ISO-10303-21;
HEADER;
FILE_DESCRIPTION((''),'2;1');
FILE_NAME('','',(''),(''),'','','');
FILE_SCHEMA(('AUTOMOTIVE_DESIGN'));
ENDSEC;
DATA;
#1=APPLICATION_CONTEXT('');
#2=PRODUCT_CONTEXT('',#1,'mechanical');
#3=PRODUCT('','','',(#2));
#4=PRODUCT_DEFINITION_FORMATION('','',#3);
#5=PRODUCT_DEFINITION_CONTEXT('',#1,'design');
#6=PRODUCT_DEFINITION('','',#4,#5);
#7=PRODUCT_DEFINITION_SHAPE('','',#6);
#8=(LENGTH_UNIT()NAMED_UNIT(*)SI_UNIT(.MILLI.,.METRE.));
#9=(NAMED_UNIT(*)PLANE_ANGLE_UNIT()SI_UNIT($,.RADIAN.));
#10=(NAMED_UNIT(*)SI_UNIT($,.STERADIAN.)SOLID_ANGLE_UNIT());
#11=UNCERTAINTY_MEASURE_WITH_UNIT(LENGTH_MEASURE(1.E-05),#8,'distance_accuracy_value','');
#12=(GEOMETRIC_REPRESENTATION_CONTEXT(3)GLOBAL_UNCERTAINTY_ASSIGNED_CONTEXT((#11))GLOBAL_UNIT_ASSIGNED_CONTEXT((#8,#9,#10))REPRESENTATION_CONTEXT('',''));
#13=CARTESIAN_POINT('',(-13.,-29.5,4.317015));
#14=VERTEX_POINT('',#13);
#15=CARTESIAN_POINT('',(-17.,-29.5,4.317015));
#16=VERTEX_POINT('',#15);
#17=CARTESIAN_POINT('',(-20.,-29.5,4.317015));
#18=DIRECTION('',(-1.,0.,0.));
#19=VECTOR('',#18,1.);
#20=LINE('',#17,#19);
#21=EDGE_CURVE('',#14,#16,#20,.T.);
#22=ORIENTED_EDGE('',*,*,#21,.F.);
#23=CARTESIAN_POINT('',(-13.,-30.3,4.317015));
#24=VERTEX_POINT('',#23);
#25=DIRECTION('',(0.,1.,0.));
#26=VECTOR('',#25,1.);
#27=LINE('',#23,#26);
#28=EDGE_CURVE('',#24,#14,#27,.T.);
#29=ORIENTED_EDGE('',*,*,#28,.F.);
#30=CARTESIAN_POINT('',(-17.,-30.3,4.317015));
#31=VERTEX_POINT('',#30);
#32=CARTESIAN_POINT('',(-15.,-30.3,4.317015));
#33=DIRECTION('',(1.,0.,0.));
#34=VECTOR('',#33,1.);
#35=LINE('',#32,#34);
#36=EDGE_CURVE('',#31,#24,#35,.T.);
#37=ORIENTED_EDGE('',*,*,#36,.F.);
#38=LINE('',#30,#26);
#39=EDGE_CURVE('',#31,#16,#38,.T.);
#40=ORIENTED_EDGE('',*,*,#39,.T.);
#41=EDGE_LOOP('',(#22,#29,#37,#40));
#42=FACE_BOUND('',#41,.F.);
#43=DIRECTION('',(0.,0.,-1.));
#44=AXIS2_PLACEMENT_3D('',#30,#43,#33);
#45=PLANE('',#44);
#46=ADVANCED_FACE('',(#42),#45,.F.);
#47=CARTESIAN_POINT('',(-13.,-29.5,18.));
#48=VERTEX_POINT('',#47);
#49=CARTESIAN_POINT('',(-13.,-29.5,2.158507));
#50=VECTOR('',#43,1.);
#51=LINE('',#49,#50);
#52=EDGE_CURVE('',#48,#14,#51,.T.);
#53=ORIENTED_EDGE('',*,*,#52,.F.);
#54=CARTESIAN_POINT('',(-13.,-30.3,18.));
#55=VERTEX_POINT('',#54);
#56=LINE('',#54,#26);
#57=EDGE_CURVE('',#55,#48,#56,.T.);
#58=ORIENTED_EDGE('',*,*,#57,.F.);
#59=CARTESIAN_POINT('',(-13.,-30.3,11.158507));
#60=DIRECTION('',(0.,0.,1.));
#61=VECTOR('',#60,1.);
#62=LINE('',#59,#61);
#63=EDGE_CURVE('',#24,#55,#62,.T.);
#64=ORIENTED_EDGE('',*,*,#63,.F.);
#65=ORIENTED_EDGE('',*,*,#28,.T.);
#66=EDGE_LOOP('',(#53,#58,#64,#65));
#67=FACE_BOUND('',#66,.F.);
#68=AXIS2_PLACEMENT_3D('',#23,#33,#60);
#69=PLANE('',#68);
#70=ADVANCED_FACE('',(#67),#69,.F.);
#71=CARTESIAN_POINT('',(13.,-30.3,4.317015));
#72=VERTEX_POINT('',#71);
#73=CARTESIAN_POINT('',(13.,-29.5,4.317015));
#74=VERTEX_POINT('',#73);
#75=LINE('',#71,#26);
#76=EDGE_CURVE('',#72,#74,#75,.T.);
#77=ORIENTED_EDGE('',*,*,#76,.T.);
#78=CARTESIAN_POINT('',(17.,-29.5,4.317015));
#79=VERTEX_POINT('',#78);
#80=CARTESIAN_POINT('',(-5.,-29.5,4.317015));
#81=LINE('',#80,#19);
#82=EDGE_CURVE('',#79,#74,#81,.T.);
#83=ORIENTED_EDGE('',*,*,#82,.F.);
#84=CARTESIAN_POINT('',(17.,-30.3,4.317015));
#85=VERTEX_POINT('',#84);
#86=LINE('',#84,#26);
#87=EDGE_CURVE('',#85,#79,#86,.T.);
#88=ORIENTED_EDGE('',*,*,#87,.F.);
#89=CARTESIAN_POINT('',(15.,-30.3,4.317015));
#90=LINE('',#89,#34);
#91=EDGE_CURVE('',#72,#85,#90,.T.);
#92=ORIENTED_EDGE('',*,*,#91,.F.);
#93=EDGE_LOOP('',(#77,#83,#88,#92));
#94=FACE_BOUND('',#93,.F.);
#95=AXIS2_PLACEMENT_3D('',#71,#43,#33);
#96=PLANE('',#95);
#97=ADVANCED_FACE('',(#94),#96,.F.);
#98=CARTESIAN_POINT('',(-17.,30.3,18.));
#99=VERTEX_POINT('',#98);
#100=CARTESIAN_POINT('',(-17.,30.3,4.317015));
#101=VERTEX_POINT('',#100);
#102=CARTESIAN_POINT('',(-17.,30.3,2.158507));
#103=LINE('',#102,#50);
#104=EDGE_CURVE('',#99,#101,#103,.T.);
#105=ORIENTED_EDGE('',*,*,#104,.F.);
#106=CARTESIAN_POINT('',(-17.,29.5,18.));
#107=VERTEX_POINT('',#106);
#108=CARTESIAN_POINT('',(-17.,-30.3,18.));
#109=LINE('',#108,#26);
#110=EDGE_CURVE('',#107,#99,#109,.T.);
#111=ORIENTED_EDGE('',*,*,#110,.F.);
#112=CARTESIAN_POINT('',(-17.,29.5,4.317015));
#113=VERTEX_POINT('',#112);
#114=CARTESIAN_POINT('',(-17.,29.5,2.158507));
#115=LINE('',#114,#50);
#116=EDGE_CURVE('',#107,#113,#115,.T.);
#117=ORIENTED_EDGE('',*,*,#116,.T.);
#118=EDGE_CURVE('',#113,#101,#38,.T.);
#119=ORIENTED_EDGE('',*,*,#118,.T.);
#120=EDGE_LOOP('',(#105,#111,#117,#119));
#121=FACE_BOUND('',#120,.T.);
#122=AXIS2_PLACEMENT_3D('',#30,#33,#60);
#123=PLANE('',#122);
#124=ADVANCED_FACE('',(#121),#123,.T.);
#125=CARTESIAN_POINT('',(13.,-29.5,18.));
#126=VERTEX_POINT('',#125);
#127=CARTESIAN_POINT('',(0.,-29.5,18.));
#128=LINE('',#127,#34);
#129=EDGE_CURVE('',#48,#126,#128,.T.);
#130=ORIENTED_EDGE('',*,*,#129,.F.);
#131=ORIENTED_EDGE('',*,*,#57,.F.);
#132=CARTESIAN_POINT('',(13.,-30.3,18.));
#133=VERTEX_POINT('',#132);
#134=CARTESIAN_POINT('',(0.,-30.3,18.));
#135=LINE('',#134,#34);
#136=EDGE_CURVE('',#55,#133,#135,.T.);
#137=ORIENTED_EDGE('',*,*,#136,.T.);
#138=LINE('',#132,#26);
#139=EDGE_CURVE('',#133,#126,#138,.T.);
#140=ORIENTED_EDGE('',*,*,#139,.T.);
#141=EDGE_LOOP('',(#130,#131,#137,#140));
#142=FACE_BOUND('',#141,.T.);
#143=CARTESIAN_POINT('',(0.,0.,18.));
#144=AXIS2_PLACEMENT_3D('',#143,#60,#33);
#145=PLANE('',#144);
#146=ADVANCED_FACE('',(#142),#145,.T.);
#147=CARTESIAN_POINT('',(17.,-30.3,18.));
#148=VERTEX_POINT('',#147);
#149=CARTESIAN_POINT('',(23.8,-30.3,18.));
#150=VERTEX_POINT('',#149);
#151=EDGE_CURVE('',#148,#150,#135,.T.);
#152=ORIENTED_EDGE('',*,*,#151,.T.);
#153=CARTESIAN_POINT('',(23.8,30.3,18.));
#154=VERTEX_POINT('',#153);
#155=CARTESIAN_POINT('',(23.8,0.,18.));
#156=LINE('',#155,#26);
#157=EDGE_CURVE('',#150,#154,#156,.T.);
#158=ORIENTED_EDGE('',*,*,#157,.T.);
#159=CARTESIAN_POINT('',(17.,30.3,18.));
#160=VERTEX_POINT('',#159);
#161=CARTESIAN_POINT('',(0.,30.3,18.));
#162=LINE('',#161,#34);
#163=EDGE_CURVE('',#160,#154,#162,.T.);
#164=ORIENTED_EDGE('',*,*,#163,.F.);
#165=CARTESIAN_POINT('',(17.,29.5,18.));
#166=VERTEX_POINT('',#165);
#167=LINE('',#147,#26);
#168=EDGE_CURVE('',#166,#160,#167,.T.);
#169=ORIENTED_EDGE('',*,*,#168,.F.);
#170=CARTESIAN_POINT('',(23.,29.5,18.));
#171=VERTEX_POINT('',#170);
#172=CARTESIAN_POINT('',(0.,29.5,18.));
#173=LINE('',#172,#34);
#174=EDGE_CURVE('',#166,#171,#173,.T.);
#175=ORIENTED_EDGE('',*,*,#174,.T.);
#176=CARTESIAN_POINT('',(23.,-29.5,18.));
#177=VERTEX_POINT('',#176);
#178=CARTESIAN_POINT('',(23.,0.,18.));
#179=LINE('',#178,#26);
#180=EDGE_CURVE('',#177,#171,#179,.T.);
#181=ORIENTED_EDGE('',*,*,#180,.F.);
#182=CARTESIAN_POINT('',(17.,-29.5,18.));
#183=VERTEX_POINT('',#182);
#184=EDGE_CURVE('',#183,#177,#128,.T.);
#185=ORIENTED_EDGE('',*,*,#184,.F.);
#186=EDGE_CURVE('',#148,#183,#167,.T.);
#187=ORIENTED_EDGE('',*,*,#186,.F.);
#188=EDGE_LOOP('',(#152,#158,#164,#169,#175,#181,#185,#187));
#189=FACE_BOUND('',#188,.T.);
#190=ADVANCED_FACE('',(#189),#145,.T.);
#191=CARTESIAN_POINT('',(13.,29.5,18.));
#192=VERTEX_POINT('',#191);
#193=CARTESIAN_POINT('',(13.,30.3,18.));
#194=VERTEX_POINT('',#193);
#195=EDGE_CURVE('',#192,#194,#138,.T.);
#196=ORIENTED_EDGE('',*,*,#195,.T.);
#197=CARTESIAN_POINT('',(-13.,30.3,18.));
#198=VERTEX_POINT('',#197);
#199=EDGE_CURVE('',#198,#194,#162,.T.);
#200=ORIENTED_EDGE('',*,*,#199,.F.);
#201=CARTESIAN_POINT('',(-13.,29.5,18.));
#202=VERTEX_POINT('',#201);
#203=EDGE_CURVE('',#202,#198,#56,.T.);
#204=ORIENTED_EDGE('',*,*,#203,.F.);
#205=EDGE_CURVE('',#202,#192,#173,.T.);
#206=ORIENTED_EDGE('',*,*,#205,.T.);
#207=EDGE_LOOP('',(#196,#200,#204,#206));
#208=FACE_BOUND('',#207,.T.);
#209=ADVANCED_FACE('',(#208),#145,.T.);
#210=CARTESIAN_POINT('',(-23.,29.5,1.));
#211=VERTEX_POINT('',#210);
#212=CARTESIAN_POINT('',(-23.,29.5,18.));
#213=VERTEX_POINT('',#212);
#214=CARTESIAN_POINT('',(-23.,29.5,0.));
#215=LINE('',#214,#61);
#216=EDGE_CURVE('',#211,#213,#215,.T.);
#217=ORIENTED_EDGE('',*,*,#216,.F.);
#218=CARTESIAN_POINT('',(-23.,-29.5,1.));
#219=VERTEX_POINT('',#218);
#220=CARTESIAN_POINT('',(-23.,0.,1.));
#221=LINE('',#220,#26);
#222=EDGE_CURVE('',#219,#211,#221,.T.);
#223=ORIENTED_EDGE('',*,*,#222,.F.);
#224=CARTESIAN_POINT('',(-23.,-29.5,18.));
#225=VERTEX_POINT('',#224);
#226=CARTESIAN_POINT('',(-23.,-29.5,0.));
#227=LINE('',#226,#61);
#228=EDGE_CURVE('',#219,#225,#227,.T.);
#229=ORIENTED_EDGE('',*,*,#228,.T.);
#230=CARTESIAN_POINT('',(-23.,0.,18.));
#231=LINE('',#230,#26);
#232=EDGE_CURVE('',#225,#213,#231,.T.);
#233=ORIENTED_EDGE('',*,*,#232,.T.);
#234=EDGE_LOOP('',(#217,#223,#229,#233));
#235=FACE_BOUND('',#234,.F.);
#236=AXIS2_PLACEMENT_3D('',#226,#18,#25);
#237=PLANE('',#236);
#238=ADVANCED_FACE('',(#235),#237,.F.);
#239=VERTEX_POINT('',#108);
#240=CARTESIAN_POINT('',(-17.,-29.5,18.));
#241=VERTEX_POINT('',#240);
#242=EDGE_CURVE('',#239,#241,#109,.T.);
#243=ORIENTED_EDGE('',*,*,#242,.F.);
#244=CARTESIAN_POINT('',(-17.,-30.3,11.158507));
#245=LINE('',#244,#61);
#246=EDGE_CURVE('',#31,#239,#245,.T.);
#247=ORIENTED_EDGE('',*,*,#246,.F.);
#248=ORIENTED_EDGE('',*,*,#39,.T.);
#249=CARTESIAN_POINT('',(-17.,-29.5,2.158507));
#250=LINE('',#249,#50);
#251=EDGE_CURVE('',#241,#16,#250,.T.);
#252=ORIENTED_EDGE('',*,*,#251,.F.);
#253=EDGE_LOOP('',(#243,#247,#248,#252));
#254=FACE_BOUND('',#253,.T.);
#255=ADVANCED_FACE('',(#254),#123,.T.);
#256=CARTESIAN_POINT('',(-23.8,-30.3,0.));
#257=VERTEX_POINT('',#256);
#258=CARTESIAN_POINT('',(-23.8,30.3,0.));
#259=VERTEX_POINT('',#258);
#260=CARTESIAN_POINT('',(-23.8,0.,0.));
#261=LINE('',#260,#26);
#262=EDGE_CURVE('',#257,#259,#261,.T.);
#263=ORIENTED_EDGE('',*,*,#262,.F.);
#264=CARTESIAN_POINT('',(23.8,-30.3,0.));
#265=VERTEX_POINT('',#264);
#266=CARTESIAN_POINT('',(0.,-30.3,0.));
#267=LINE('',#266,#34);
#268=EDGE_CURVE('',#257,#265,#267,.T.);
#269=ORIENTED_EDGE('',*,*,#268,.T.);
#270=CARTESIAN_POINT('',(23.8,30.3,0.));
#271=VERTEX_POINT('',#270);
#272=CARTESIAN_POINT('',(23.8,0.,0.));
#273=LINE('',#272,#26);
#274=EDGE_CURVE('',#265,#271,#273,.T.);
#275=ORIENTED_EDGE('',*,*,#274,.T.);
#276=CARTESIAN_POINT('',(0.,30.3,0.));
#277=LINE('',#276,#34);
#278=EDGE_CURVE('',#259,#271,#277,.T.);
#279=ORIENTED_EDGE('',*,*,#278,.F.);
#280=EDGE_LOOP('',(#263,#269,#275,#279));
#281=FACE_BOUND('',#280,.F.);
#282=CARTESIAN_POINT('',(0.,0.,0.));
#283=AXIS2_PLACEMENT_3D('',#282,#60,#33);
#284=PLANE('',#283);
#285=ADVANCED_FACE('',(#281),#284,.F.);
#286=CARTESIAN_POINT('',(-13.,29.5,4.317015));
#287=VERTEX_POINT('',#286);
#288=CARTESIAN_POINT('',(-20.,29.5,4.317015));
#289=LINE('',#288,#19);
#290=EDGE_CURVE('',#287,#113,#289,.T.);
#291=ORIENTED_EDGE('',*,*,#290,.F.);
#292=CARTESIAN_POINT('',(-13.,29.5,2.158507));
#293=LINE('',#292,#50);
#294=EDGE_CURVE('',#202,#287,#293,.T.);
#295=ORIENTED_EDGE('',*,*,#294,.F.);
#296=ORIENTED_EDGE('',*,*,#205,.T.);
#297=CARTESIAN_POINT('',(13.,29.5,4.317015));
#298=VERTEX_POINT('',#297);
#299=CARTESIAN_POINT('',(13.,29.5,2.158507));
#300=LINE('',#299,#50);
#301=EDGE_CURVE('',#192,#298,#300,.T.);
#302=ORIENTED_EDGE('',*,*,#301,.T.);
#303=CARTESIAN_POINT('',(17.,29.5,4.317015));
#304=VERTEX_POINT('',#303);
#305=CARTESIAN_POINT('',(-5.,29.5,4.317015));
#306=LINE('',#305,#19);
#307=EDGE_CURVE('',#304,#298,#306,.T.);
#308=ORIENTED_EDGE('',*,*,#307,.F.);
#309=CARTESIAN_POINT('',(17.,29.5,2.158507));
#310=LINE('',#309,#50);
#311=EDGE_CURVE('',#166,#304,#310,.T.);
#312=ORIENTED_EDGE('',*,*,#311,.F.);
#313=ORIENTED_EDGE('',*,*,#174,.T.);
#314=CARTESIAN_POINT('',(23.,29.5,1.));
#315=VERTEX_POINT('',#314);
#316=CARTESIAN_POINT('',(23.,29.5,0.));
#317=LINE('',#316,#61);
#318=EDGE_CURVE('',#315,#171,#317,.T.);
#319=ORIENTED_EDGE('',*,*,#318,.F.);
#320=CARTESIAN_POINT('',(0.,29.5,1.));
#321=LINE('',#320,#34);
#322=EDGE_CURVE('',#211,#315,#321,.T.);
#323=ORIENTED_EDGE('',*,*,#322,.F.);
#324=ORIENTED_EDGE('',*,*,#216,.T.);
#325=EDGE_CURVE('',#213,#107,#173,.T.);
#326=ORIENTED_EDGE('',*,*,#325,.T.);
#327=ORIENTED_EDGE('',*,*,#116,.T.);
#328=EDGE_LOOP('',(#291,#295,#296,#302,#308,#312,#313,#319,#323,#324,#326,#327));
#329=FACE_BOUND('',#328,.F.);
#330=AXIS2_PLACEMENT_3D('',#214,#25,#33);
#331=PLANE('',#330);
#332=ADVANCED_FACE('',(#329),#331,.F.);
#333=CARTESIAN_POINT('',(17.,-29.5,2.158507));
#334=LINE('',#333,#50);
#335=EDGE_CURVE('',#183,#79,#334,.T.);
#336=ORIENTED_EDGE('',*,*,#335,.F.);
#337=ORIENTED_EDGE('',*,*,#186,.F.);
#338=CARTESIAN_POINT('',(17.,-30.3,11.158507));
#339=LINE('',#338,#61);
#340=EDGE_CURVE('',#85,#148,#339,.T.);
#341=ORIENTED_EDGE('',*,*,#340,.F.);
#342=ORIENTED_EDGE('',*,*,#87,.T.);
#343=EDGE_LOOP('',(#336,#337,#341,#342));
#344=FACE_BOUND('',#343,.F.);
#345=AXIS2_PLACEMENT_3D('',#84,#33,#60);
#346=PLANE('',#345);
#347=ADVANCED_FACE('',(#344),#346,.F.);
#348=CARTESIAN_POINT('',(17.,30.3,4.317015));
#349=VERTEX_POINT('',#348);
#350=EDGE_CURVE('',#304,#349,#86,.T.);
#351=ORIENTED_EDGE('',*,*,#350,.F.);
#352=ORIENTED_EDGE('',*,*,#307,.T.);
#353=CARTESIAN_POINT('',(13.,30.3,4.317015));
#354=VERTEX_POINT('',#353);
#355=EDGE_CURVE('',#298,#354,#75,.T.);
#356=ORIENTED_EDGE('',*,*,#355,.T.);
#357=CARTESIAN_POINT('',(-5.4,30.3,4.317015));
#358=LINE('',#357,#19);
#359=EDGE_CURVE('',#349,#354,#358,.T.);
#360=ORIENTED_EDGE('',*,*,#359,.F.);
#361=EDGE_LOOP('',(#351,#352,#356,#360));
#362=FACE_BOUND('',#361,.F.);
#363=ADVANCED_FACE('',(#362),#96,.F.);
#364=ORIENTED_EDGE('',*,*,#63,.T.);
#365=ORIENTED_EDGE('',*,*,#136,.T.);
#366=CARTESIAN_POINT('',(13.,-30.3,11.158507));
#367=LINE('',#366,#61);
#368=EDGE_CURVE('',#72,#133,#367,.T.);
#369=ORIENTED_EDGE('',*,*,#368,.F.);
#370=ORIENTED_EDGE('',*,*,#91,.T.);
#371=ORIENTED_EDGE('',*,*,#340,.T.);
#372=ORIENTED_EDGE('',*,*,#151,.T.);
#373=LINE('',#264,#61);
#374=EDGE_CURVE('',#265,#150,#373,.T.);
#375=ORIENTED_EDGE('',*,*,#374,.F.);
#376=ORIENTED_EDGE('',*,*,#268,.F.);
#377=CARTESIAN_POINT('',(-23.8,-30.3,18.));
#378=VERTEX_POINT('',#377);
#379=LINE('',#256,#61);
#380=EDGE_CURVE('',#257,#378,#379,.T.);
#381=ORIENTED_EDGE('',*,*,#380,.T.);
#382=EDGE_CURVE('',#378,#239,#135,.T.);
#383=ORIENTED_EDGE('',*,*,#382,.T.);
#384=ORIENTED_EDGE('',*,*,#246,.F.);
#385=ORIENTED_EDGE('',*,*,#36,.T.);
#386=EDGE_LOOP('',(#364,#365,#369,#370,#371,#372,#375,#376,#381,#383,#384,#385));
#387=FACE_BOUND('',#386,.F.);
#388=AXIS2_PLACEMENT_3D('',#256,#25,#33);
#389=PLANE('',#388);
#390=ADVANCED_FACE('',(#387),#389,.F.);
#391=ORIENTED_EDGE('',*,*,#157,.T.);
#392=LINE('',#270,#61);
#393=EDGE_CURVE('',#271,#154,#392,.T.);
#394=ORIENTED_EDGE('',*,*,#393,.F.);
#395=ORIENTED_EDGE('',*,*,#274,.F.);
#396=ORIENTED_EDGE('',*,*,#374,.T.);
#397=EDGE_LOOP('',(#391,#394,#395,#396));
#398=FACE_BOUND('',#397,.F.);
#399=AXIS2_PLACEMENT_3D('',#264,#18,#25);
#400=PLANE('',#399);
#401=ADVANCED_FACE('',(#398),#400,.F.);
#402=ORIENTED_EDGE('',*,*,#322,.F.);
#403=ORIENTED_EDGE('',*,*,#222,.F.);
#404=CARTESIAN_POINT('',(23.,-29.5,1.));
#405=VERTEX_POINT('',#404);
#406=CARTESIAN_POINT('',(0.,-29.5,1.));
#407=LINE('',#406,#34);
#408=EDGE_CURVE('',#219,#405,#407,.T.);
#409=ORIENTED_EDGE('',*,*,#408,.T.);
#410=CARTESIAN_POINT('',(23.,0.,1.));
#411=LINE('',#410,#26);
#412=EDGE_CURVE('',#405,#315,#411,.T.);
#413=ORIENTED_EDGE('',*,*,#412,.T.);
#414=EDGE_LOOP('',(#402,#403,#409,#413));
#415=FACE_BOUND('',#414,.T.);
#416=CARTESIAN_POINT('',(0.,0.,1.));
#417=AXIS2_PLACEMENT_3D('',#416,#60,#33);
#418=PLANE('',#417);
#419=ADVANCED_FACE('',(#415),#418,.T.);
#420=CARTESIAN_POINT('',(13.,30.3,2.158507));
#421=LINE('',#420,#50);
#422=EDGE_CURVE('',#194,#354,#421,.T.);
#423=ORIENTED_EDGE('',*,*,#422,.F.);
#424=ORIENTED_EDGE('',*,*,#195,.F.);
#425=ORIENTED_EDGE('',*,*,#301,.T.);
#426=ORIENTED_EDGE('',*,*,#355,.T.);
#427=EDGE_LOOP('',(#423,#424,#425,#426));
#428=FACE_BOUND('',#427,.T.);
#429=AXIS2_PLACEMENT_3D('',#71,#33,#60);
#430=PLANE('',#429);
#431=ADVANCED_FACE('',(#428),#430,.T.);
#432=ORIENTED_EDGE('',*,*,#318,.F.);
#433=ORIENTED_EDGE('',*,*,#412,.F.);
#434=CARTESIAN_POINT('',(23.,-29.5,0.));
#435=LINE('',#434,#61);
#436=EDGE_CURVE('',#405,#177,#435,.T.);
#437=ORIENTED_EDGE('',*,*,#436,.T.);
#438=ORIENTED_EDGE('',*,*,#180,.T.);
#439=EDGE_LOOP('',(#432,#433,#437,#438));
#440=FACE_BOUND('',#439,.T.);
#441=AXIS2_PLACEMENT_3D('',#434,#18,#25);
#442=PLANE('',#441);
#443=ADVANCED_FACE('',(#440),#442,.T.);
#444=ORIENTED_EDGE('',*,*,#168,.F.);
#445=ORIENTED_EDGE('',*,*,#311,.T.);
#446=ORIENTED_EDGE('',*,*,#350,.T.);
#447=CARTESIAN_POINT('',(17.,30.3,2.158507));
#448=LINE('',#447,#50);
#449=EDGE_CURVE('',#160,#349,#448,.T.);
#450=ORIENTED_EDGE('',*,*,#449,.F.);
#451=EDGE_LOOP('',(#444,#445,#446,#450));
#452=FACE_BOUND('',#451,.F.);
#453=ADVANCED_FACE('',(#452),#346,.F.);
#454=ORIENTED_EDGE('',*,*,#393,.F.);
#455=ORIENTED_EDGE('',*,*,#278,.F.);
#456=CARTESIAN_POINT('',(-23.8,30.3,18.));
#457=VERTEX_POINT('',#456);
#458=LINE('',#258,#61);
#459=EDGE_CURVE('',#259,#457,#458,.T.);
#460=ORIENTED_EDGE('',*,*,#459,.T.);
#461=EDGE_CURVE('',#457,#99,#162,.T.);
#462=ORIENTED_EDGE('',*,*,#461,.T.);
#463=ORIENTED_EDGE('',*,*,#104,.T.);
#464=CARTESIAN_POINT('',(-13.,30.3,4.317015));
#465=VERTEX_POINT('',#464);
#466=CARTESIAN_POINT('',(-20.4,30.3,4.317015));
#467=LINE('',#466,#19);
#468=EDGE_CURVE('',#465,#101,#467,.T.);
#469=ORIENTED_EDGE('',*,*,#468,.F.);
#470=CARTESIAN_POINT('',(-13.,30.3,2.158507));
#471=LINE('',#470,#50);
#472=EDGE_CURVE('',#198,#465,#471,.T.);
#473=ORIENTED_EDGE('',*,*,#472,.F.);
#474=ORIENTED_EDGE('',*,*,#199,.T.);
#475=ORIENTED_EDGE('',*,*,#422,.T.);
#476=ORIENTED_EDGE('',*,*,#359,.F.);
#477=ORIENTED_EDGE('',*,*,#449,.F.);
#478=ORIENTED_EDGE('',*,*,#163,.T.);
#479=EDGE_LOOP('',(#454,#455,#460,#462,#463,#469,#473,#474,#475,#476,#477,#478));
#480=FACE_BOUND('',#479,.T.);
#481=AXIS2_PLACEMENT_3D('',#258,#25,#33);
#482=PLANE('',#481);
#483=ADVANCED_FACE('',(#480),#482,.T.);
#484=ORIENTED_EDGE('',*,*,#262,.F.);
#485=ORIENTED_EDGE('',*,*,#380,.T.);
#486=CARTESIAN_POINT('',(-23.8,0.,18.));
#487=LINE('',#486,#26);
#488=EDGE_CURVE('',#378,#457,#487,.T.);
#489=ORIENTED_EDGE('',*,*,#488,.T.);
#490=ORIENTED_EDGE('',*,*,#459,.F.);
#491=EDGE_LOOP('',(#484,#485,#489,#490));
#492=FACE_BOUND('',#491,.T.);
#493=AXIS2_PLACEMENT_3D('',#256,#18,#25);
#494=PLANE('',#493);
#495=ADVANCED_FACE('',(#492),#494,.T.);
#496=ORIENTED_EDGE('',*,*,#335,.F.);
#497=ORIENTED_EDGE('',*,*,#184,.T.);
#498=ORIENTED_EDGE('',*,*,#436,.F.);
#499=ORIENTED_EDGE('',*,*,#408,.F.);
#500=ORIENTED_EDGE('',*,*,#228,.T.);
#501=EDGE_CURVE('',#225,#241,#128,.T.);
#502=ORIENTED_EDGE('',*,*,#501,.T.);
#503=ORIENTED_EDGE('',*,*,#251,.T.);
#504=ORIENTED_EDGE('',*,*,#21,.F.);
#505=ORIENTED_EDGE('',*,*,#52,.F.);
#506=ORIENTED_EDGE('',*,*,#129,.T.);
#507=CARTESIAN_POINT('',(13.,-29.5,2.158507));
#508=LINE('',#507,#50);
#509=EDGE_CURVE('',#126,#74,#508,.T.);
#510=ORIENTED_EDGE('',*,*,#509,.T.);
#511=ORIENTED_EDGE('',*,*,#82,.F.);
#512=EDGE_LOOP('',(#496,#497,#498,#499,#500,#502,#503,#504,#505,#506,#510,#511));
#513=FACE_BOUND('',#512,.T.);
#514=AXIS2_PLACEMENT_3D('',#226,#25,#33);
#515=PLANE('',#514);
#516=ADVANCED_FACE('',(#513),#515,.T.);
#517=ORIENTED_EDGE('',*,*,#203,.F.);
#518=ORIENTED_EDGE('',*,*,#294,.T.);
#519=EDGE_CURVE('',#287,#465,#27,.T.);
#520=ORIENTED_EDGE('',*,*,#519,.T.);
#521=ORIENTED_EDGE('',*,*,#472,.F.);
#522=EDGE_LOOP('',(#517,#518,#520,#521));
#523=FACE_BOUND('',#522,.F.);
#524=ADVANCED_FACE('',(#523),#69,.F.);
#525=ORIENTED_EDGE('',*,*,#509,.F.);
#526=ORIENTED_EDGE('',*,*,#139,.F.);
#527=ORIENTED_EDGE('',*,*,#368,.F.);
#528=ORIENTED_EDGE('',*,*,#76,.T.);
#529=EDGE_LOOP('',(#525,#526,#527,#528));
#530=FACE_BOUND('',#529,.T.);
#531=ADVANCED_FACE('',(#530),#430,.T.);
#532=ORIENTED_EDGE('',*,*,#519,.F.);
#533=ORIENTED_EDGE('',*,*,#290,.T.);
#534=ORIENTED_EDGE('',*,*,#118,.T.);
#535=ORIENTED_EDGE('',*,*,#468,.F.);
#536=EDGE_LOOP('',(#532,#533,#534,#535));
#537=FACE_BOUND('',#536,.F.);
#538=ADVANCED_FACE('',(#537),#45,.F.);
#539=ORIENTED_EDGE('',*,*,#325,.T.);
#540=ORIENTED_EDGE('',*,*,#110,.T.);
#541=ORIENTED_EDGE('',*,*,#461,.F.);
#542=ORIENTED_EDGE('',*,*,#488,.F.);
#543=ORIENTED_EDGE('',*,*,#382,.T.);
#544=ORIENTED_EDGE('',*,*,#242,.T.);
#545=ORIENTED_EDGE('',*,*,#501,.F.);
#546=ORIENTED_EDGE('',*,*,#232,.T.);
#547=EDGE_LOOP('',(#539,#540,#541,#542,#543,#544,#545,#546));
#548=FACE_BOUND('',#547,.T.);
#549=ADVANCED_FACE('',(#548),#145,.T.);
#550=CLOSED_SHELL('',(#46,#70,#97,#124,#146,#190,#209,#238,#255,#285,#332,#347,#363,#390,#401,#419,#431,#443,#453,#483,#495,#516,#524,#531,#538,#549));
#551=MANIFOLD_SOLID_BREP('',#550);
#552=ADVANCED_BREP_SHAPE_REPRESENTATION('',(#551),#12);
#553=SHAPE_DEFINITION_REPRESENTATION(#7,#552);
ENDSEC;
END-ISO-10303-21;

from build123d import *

# Parameters (mm, degrees)
F0_W     = 46
F0_H     = 59
F1_DEPTH = 1
F0_W_2   = 47.6
F0_H_2   = 60.6
F2_DEPTH = 18
F3_W     = 4
F3_H     = 13.6829850562
F4_DEPTH = 100


with BuildPart() as f1:
    # F0 (on Top) → F1 (new body)
    with BuildSketch(Plane.XY):
        Rectangle(F0_W, F0_H)
    extrude(amount=F1_DEPTH)

    # F0 (on Top) → F2 (join)
    with BuildSketch(Plane.XY):
        Rectangle(F0_W_2, F0_H_2)
        Rectangle(F0_W, F0_H, mode=Mode.SUBTRACT)
    extrude(amount=F2_DEPTH)

    # F3 (on face) → F4 (cut)
    with BuildSketch(Plane.XZ.offset(30.3)):
        with Locations((-15, 11.1585074719)):
            Rectangle(F3_W, F3_H)
        with Locations((15, 11.1585074719)):
            Rectangle(F3_W, F3_H)
    extrude(amount=-F4_DEPTH, mode=Mode.SUBTRACT)


solid = f1.part
